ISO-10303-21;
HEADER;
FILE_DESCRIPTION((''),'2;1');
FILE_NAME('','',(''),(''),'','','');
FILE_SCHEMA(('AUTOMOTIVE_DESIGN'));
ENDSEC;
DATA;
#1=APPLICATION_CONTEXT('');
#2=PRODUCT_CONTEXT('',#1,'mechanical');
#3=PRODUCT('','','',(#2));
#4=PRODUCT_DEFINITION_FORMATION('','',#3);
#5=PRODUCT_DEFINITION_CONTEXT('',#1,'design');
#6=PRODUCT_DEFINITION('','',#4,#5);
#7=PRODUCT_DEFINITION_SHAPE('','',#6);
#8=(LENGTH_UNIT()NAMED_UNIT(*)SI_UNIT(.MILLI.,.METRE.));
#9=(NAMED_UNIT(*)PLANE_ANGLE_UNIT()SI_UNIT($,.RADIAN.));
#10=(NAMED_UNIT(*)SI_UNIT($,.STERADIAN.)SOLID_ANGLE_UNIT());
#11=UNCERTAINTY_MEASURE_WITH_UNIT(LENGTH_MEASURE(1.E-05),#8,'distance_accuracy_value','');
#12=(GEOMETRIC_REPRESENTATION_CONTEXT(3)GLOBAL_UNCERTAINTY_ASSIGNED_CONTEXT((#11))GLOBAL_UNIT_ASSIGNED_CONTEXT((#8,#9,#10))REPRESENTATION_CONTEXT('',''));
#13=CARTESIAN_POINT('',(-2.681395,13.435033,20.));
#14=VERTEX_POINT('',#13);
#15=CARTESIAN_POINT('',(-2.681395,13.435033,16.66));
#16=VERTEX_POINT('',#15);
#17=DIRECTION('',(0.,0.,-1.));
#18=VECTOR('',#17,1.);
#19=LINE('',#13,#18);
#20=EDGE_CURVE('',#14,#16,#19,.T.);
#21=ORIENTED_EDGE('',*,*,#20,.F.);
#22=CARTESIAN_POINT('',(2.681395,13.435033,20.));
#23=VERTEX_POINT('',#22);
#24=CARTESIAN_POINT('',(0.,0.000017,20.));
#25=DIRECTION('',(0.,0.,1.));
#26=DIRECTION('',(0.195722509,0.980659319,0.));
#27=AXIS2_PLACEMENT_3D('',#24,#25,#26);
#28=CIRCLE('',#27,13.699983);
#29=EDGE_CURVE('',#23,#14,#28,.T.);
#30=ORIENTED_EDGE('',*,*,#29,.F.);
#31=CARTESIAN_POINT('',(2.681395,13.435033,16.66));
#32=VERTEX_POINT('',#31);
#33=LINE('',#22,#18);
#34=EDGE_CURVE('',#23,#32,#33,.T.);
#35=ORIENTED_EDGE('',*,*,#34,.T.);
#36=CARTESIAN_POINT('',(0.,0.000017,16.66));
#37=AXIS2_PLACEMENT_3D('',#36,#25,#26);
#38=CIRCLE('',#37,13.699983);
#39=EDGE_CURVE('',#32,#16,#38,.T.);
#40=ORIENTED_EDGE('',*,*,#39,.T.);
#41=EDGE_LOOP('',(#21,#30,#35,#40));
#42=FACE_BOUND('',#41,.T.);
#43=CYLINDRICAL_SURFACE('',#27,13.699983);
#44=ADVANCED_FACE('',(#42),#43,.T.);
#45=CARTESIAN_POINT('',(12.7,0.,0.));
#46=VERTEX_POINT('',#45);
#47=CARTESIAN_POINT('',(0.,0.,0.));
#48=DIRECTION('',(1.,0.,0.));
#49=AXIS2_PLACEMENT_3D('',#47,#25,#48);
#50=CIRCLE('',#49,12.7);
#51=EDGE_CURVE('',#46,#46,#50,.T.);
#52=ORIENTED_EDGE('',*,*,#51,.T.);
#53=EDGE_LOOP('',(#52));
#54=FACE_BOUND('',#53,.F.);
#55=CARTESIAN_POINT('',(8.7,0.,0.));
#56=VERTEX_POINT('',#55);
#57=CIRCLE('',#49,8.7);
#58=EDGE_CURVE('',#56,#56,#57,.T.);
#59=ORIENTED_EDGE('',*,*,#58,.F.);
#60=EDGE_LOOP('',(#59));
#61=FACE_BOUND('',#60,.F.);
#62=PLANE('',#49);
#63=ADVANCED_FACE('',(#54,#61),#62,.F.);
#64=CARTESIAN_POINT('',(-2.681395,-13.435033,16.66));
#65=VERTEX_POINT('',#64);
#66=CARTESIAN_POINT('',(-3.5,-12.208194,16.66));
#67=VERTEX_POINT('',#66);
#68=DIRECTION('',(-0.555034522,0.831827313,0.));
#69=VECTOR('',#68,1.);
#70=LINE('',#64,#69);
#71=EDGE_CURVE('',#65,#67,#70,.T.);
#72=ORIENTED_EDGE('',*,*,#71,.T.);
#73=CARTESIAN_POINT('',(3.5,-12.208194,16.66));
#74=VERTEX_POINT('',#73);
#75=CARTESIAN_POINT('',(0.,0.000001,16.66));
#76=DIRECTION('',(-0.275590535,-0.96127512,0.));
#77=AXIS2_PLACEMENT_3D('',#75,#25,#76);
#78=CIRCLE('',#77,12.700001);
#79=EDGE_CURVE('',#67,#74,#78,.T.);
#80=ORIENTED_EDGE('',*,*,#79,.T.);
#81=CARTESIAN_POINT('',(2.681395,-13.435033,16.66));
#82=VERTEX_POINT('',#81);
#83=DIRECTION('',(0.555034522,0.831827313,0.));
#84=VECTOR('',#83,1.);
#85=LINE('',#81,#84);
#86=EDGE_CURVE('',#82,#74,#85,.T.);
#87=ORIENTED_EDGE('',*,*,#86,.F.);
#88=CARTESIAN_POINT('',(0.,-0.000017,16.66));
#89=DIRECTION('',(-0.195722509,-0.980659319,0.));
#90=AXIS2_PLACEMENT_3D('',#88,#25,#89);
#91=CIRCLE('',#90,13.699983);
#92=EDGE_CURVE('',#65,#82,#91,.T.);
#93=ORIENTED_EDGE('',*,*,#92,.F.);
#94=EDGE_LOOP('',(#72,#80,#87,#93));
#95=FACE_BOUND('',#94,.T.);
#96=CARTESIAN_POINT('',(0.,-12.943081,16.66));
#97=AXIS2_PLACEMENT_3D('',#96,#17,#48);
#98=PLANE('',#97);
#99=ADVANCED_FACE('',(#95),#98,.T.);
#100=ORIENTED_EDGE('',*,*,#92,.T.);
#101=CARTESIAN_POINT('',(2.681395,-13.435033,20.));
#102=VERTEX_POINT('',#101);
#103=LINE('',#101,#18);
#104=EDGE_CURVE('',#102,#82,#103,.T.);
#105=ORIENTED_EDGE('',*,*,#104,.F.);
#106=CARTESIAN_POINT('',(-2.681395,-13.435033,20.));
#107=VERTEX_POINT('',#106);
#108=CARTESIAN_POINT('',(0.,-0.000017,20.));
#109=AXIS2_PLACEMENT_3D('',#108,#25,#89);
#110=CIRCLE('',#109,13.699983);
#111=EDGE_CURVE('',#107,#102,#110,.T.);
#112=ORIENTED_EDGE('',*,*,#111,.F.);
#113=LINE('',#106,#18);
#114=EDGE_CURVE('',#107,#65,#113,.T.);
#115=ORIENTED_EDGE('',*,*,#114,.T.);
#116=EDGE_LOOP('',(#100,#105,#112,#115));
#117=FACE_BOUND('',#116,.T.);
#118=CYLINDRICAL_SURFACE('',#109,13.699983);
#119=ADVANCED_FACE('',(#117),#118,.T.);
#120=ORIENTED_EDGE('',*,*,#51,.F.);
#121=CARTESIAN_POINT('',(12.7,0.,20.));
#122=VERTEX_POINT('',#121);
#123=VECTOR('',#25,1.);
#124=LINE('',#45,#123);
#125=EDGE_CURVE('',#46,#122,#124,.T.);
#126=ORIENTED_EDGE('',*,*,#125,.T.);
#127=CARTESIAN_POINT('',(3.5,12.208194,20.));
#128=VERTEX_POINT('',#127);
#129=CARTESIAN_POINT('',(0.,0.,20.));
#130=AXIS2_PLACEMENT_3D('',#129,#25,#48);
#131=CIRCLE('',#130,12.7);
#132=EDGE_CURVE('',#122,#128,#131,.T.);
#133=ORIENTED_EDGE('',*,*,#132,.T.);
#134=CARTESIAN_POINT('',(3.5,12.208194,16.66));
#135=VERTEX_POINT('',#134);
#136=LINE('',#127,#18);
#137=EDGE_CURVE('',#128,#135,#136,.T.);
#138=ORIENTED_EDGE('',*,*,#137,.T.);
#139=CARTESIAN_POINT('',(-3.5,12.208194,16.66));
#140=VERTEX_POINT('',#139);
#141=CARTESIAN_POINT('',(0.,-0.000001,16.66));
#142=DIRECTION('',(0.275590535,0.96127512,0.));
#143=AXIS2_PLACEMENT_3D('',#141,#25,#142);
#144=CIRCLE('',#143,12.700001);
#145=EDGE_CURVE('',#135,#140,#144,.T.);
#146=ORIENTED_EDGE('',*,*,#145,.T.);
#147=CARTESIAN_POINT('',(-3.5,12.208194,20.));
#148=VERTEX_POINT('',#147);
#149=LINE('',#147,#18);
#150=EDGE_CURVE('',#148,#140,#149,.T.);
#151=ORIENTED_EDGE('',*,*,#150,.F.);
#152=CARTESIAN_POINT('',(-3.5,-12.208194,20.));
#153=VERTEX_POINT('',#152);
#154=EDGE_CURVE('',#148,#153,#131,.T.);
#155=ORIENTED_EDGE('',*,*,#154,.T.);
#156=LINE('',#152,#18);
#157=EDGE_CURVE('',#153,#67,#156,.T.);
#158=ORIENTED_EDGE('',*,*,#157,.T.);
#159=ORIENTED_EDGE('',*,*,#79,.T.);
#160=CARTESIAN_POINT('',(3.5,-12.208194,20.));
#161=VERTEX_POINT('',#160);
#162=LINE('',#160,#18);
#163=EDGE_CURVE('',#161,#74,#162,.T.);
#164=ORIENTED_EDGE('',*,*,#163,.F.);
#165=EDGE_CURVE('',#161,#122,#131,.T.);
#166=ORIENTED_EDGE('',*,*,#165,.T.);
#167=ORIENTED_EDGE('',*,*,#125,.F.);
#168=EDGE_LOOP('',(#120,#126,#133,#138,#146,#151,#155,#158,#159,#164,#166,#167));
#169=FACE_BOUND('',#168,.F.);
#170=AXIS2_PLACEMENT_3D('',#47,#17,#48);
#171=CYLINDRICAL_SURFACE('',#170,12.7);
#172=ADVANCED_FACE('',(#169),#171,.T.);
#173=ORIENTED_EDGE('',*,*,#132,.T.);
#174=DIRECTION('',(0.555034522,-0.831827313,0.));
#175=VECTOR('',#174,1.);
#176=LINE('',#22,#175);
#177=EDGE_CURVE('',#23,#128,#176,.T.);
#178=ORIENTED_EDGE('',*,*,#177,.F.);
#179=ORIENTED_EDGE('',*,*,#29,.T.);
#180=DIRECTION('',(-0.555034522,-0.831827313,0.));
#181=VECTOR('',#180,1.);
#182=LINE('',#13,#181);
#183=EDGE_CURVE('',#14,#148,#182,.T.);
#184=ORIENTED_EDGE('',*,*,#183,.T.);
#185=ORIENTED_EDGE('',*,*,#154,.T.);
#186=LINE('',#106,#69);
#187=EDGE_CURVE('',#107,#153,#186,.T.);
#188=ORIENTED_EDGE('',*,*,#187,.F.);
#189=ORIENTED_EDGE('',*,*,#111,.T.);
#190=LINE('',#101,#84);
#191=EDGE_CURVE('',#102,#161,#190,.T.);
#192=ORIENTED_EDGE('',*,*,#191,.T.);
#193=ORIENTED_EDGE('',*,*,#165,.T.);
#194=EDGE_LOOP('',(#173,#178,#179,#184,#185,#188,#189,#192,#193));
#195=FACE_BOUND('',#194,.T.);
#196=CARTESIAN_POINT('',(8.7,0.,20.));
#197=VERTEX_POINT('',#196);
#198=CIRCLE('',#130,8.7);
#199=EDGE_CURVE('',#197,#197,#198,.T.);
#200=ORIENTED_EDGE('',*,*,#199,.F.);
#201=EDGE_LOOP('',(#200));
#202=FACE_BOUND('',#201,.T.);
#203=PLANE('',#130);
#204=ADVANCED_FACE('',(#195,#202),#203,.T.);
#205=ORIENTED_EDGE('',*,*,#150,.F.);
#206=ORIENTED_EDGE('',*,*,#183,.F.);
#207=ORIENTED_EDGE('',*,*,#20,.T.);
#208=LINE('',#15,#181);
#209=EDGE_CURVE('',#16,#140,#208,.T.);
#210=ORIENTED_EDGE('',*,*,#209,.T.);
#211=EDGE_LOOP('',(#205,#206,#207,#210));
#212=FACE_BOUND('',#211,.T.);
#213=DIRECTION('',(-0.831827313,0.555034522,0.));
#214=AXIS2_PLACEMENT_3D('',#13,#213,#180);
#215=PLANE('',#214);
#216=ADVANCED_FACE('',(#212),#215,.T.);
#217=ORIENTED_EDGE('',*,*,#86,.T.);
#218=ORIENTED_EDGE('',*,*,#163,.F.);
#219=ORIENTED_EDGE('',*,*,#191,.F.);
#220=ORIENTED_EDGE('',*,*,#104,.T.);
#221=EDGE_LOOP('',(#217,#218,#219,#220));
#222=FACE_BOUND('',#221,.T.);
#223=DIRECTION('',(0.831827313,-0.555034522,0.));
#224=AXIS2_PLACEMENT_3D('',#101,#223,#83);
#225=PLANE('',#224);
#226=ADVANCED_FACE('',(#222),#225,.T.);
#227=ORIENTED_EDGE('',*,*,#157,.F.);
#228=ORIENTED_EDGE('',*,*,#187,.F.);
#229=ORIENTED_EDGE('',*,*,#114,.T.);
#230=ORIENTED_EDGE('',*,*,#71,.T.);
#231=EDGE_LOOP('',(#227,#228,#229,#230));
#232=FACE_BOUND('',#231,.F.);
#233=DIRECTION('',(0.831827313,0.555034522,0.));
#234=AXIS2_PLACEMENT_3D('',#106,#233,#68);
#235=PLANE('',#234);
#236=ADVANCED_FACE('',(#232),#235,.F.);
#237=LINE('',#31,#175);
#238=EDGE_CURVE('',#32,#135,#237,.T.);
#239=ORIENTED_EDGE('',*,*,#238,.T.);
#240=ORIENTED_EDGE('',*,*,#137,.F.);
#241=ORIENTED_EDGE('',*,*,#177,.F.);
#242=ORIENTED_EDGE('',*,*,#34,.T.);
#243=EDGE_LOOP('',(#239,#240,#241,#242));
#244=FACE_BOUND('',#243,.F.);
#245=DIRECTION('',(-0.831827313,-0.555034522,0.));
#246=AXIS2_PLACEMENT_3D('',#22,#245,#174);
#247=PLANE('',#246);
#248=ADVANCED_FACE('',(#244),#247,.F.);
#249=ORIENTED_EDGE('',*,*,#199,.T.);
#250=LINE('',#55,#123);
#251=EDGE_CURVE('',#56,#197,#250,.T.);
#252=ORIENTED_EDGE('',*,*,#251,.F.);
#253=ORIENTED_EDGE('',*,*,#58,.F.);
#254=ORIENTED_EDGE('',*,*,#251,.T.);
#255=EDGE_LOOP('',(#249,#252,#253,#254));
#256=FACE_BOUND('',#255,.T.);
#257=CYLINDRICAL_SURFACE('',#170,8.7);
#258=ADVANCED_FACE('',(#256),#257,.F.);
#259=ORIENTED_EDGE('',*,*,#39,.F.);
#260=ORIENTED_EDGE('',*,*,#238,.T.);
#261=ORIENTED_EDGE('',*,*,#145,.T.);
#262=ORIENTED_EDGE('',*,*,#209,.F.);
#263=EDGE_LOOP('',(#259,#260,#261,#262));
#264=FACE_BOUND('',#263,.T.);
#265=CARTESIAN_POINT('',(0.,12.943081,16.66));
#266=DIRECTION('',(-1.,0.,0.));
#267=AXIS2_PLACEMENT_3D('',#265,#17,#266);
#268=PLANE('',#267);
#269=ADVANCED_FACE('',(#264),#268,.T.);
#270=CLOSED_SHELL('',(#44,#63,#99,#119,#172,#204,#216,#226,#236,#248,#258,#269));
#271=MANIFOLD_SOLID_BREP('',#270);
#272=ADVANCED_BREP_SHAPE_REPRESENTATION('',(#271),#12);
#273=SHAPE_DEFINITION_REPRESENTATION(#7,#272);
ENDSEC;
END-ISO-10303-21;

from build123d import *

# Parameters (mm, degrees)
SKETCH_R           = 12.7
SKETCH_R_2         = 8.7
PAD_DEPTH          = 20
PAD001_DEPTH       = 3.34
POLARPATTERN_COUNT = 2


with BuildPart() as part:
    # Sketch → Pad (new body)
    with BuildSketch(Plane.XY):
        Circle(SKETCH_R)
        Circle(SKETCH_R_2, mode=Mode.SUBTRACT)
    extrude(amount=PAD_DEPTH)

    # Sketch001 (on Face4 of Pad) → Pad001 (join)
    with BuildSketch(Plane.XY.offset(20)):
        with BuildLine():
            ThreePointArc((3.5, 12.208194), (0, 12.7), (-3.5, 12.208194))
            Line((-2.681395, 13.435033), (-3.5, 12.208194))
            ThreePointArc((2.681395, 13.435033), (0, 13.7), (-2.681395, 13.435033))
            Line((2.681395, 13.435033), (3.5, 12.208194))
        make_face()
    pad001 = extrude(amount=-PAD001_DEPTH)

    # PolarPattern: Pad001 ×2 about axis
    polarpattern_axis = Axis((0, 0, 20), (0, 0, 1))
    for i in range(1, POLARPATTERN_COUNT):
        add(pad001.rotate(polarpattern_axis, i * 360 / POLARPATTERN_COUNT))


solid = part.part
